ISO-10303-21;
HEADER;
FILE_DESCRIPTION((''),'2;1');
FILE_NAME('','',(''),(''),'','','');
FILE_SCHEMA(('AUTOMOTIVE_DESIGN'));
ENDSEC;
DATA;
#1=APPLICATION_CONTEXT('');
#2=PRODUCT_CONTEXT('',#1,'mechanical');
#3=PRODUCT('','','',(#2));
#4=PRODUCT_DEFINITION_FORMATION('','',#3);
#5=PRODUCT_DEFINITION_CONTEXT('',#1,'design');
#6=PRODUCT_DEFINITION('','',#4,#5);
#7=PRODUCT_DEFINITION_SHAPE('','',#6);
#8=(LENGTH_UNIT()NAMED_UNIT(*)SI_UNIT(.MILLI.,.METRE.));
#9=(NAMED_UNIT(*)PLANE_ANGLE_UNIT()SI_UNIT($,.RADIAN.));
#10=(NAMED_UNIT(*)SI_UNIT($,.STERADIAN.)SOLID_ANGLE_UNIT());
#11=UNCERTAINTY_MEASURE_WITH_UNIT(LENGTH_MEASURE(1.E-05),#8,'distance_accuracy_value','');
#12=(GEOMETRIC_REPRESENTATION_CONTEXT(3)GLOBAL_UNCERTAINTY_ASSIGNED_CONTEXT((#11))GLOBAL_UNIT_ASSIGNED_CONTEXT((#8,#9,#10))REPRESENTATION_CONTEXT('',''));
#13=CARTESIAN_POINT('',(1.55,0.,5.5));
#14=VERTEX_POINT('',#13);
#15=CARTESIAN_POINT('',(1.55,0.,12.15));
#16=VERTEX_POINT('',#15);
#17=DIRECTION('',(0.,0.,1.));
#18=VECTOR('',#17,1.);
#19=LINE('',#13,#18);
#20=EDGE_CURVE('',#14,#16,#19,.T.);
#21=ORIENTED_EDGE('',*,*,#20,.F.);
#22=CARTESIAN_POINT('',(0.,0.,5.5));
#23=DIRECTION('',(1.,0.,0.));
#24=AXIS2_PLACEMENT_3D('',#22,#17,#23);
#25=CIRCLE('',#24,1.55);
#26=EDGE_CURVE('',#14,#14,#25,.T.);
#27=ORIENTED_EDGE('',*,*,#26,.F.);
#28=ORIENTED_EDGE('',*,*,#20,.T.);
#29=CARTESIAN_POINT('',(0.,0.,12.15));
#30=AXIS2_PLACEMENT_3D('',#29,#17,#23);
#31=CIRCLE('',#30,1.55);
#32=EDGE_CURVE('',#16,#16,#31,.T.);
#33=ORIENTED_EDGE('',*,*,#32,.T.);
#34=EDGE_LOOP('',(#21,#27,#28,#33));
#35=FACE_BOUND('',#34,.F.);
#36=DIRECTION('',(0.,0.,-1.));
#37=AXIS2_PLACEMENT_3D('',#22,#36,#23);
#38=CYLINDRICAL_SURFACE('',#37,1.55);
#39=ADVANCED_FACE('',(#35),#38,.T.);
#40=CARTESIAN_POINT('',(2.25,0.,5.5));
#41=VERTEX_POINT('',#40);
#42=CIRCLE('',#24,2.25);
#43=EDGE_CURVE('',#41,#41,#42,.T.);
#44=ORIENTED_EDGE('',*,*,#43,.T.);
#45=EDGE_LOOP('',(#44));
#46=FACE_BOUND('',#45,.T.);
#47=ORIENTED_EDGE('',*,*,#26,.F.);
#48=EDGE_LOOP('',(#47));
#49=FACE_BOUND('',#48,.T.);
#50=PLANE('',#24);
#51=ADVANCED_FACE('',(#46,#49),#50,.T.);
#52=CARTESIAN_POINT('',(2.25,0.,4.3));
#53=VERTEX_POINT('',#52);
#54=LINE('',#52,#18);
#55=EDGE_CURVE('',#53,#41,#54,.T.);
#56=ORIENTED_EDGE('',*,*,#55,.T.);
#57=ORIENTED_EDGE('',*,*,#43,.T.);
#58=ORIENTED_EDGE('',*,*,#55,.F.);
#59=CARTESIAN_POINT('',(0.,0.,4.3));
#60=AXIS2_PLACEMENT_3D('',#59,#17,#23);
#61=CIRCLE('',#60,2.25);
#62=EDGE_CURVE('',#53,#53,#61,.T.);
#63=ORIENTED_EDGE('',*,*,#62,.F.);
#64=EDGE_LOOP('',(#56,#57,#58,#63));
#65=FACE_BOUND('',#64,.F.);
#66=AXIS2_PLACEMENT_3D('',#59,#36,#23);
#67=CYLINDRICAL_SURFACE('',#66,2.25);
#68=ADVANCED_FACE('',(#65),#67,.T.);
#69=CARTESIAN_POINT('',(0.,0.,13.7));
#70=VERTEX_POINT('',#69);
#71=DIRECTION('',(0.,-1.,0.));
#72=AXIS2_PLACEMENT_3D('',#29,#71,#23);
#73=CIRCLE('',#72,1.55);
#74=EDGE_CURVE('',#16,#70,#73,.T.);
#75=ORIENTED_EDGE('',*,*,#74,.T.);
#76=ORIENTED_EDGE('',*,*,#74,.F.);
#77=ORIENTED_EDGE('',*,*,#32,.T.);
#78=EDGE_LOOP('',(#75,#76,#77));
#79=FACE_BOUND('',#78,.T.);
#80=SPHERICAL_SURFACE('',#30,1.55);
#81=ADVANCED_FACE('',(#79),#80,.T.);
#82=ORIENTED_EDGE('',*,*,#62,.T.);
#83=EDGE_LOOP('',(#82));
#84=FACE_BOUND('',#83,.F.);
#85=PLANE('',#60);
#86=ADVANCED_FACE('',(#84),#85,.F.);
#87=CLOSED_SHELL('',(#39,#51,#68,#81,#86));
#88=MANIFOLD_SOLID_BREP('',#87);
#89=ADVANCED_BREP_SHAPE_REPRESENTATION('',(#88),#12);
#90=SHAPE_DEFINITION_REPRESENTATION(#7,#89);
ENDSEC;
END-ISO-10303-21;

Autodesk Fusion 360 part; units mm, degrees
sketch "Esquisse1" plane through (0, 0, 0) normal (0, 0, 1) x (1, 0, 0)
  circle A0 centre (0, 0) radius 1
  dimension "d1" = 2
extrude "Extrusion1" add sketch "Esquisse1" along normal blind 4.3
sketch "Esquisse2" plane through (0, 0, 4.3) normal (0, 0, 1) x (1, 0, 0)
  circle A0 centre (0, 0) radius 1
  circle A1 centre (0, 0) radius 2.25
  dimension "d4" = 4.5
extrude "Extrusion2" add sketch "Esquisse2" along normal blind 1.2 contours A0 | A1
sketch "Esquisse3" plane through (0, 0, 5.5) normal (0, 0, 1) x (1, 0, 0)
  circle A0 centre (0, 0) radius 2.25
  circle A1 centre (0, 0) radius 1.55
  dimension "d7" = 3.1
extrude "Extrusion3" add sketch "Esquisse3" along normal blind 8.7 contours A1
extrude "Extrusion4" cut 1 faces at (-0.3296, 0.5031, 0) along direction (0, 0, 1) blind 4.3
extrude "Extrude5" cut 1 faces at (0.8338, -0.7144, 14.2) along direction (0, 0, -1) blind 0.5
fillet "Fillet2" radius 1.55 1 edges at (-1.4451, 0.5605, 13.7)
